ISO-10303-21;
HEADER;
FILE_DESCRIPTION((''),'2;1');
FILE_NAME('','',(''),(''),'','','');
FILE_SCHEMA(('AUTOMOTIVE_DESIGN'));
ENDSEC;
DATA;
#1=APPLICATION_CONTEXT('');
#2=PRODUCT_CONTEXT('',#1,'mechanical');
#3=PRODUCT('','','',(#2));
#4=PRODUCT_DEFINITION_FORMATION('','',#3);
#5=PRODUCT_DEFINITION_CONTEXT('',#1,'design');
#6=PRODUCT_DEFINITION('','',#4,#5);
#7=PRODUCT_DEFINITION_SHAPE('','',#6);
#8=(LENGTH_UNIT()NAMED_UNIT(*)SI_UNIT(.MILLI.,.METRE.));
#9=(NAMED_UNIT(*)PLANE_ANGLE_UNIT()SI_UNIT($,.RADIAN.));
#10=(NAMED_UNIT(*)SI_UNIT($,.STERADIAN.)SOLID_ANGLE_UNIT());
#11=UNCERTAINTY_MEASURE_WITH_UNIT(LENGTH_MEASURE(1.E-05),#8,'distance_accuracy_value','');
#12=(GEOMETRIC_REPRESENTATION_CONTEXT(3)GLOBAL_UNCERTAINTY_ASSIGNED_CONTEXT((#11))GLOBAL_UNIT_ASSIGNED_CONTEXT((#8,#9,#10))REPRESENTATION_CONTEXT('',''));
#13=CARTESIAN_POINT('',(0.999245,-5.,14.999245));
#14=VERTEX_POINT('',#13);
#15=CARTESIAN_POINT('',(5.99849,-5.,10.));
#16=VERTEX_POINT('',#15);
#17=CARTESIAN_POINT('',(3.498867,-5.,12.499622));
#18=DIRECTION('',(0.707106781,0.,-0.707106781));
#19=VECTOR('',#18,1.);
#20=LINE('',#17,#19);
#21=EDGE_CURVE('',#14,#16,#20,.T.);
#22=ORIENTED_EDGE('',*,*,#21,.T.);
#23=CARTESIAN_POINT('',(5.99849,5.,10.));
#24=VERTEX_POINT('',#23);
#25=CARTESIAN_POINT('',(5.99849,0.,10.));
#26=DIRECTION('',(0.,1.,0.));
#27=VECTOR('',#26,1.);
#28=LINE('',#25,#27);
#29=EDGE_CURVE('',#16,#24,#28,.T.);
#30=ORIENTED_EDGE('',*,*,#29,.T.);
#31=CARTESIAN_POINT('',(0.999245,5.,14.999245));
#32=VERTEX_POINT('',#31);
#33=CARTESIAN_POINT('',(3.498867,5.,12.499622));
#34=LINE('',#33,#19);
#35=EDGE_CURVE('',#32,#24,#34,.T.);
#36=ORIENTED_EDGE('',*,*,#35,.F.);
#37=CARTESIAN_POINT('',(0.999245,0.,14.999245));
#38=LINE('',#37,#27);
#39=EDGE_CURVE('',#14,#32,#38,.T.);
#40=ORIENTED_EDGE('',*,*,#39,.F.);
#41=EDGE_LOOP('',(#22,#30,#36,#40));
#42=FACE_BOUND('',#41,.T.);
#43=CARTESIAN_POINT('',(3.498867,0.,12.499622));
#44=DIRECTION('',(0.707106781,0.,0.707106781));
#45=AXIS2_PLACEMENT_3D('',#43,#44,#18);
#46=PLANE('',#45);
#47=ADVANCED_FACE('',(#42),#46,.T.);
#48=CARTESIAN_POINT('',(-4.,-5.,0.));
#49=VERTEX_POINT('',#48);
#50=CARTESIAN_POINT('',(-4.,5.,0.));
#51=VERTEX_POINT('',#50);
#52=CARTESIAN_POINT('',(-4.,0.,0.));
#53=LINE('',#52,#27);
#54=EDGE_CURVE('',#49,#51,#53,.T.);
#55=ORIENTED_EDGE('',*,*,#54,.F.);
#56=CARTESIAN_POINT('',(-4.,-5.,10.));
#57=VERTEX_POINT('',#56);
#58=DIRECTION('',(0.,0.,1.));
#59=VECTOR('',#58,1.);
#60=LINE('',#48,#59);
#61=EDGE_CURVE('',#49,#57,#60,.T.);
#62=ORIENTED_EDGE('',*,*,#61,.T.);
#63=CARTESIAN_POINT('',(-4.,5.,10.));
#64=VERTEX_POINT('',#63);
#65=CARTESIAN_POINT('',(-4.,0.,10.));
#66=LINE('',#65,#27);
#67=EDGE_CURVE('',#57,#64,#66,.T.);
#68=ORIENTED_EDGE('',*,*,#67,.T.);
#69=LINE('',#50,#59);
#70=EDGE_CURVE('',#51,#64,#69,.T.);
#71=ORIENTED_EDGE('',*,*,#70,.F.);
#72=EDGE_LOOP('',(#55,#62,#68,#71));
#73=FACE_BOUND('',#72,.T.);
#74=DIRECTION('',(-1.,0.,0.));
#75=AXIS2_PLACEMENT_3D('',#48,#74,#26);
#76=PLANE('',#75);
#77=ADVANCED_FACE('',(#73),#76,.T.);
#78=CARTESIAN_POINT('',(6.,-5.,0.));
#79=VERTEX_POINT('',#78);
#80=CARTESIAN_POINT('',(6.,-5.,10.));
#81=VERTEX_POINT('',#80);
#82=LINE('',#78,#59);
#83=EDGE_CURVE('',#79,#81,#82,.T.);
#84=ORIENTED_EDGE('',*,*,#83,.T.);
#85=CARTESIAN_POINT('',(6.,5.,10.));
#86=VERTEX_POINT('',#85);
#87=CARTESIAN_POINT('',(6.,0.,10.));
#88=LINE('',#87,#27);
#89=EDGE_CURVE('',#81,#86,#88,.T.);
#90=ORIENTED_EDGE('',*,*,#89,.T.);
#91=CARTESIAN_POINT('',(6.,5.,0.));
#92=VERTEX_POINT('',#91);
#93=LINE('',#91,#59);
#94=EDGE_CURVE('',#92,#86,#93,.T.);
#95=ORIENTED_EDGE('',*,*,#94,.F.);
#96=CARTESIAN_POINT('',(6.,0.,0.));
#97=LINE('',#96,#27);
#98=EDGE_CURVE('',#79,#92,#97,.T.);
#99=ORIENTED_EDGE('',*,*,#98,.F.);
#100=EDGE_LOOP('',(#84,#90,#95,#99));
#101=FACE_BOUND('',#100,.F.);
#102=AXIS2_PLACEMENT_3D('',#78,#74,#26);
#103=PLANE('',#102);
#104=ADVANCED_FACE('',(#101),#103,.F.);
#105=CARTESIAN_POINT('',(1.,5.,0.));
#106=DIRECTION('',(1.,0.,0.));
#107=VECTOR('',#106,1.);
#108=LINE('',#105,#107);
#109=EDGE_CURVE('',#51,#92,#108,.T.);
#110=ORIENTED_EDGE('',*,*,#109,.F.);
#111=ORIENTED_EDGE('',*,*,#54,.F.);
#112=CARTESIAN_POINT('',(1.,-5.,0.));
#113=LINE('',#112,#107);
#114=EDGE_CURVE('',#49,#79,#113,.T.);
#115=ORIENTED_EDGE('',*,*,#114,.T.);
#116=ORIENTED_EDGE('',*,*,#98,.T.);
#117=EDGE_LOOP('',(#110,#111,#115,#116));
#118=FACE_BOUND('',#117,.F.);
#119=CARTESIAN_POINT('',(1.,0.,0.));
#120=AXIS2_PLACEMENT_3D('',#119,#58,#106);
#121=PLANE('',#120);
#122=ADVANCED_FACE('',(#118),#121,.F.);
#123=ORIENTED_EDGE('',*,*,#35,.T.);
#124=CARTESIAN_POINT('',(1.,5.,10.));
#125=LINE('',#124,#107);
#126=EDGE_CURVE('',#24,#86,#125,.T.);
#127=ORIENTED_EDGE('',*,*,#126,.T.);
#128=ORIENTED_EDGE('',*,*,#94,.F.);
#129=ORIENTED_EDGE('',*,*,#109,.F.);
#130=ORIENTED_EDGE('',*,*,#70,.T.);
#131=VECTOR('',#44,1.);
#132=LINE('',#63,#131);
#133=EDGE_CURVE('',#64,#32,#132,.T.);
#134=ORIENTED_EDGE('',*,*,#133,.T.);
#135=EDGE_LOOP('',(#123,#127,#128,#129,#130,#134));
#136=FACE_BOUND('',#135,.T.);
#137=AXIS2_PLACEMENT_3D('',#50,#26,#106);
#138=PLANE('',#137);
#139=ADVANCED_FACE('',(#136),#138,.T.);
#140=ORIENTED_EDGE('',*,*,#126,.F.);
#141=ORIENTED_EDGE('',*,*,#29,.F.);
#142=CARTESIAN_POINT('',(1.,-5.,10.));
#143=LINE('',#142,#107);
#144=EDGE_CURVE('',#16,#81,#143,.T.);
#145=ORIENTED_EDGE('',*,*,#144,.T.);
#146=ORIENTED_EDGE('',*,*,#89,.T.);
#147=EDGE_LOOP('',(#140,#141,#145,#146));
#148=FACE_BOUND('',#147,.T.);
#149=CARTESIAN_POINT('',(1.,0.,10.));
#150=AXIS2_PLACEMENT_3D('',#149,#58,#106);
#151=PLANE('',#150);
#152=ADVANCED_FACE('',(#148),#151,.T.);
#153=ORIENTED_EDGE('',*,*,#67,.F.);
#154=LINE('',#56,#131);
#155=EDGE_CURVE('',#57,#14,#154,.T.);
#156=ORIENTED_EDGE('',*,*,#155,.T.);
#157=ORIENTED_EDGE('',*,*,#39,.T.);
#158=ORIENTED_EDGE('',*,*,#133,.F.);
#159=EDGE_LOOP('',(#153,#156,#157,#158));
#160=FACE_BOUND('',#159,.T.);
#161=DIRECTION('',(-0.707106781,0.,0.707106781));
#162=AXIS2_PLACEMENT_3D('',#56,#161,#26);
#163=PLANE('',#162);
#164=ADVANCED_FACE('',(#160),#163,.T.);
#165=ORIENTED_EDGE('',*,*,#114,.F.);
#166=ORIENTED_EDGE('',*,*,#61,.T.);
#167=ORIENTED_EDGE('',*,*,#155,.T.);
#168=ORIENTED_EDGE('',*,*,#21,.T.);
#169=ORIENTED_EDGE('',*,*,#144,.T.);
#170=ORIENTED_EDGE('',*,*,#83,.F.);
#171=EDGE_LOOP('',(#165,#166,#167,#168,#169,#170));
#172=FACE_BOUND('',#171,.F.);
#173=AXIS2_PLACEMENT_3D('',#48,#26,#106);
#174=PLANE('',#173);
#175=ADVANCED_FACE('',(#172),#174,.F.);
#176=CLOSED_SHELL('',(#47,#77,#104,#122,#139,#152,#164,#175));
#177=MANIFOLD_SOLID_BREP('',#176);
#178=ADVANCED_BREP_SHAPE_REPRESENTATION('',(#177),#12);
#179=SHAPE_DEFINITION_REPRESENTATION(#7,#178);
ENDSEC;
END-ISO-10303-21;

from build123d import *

# Parameters (mm, degrees)
BOX001_W            = 10
BOX001_H            = 10
BOX001_DEPTH        = 10
BOX_W               = 7.07
BOX_H               = 10
BOX_DEPTH           = 7.07
BOX_PLACEMENT_ANGLE = 45


with BuildPart() as cubo_base:
    # Box001 → Box001 (new body)
    with BuildSketch(Plane(origin=(-4, -5, 0), x_dir=(1, 0, 0), z_dir=(0, 0, 1))):
        with Locations((5, 5)):
            Rectangle(BOX001_W, BOX001_H)
    extrude(amount=BOX001_DEPTH)


with BuildPart() as fusion:
    # Box → Box (new body)
    with BuildSketch(Plane.XY):
        with Locations((3.535, 5)):
            Rectangle(BOX_W, BOX_H)
    extrude(amount=BOX_DEPTH)


with BuildPart() as fusion_1:
    # Box placement: moved
    add(fusion.part.moved(Location((-4, -5, 10))).rotate(Axis((-4, -5, 10), (0, 1, 0)), BOX_PLACEMENT_ANGLE))

    # Fusion: union cubo_base
    add(cubo_base.part)


solid = fusion_1.part
